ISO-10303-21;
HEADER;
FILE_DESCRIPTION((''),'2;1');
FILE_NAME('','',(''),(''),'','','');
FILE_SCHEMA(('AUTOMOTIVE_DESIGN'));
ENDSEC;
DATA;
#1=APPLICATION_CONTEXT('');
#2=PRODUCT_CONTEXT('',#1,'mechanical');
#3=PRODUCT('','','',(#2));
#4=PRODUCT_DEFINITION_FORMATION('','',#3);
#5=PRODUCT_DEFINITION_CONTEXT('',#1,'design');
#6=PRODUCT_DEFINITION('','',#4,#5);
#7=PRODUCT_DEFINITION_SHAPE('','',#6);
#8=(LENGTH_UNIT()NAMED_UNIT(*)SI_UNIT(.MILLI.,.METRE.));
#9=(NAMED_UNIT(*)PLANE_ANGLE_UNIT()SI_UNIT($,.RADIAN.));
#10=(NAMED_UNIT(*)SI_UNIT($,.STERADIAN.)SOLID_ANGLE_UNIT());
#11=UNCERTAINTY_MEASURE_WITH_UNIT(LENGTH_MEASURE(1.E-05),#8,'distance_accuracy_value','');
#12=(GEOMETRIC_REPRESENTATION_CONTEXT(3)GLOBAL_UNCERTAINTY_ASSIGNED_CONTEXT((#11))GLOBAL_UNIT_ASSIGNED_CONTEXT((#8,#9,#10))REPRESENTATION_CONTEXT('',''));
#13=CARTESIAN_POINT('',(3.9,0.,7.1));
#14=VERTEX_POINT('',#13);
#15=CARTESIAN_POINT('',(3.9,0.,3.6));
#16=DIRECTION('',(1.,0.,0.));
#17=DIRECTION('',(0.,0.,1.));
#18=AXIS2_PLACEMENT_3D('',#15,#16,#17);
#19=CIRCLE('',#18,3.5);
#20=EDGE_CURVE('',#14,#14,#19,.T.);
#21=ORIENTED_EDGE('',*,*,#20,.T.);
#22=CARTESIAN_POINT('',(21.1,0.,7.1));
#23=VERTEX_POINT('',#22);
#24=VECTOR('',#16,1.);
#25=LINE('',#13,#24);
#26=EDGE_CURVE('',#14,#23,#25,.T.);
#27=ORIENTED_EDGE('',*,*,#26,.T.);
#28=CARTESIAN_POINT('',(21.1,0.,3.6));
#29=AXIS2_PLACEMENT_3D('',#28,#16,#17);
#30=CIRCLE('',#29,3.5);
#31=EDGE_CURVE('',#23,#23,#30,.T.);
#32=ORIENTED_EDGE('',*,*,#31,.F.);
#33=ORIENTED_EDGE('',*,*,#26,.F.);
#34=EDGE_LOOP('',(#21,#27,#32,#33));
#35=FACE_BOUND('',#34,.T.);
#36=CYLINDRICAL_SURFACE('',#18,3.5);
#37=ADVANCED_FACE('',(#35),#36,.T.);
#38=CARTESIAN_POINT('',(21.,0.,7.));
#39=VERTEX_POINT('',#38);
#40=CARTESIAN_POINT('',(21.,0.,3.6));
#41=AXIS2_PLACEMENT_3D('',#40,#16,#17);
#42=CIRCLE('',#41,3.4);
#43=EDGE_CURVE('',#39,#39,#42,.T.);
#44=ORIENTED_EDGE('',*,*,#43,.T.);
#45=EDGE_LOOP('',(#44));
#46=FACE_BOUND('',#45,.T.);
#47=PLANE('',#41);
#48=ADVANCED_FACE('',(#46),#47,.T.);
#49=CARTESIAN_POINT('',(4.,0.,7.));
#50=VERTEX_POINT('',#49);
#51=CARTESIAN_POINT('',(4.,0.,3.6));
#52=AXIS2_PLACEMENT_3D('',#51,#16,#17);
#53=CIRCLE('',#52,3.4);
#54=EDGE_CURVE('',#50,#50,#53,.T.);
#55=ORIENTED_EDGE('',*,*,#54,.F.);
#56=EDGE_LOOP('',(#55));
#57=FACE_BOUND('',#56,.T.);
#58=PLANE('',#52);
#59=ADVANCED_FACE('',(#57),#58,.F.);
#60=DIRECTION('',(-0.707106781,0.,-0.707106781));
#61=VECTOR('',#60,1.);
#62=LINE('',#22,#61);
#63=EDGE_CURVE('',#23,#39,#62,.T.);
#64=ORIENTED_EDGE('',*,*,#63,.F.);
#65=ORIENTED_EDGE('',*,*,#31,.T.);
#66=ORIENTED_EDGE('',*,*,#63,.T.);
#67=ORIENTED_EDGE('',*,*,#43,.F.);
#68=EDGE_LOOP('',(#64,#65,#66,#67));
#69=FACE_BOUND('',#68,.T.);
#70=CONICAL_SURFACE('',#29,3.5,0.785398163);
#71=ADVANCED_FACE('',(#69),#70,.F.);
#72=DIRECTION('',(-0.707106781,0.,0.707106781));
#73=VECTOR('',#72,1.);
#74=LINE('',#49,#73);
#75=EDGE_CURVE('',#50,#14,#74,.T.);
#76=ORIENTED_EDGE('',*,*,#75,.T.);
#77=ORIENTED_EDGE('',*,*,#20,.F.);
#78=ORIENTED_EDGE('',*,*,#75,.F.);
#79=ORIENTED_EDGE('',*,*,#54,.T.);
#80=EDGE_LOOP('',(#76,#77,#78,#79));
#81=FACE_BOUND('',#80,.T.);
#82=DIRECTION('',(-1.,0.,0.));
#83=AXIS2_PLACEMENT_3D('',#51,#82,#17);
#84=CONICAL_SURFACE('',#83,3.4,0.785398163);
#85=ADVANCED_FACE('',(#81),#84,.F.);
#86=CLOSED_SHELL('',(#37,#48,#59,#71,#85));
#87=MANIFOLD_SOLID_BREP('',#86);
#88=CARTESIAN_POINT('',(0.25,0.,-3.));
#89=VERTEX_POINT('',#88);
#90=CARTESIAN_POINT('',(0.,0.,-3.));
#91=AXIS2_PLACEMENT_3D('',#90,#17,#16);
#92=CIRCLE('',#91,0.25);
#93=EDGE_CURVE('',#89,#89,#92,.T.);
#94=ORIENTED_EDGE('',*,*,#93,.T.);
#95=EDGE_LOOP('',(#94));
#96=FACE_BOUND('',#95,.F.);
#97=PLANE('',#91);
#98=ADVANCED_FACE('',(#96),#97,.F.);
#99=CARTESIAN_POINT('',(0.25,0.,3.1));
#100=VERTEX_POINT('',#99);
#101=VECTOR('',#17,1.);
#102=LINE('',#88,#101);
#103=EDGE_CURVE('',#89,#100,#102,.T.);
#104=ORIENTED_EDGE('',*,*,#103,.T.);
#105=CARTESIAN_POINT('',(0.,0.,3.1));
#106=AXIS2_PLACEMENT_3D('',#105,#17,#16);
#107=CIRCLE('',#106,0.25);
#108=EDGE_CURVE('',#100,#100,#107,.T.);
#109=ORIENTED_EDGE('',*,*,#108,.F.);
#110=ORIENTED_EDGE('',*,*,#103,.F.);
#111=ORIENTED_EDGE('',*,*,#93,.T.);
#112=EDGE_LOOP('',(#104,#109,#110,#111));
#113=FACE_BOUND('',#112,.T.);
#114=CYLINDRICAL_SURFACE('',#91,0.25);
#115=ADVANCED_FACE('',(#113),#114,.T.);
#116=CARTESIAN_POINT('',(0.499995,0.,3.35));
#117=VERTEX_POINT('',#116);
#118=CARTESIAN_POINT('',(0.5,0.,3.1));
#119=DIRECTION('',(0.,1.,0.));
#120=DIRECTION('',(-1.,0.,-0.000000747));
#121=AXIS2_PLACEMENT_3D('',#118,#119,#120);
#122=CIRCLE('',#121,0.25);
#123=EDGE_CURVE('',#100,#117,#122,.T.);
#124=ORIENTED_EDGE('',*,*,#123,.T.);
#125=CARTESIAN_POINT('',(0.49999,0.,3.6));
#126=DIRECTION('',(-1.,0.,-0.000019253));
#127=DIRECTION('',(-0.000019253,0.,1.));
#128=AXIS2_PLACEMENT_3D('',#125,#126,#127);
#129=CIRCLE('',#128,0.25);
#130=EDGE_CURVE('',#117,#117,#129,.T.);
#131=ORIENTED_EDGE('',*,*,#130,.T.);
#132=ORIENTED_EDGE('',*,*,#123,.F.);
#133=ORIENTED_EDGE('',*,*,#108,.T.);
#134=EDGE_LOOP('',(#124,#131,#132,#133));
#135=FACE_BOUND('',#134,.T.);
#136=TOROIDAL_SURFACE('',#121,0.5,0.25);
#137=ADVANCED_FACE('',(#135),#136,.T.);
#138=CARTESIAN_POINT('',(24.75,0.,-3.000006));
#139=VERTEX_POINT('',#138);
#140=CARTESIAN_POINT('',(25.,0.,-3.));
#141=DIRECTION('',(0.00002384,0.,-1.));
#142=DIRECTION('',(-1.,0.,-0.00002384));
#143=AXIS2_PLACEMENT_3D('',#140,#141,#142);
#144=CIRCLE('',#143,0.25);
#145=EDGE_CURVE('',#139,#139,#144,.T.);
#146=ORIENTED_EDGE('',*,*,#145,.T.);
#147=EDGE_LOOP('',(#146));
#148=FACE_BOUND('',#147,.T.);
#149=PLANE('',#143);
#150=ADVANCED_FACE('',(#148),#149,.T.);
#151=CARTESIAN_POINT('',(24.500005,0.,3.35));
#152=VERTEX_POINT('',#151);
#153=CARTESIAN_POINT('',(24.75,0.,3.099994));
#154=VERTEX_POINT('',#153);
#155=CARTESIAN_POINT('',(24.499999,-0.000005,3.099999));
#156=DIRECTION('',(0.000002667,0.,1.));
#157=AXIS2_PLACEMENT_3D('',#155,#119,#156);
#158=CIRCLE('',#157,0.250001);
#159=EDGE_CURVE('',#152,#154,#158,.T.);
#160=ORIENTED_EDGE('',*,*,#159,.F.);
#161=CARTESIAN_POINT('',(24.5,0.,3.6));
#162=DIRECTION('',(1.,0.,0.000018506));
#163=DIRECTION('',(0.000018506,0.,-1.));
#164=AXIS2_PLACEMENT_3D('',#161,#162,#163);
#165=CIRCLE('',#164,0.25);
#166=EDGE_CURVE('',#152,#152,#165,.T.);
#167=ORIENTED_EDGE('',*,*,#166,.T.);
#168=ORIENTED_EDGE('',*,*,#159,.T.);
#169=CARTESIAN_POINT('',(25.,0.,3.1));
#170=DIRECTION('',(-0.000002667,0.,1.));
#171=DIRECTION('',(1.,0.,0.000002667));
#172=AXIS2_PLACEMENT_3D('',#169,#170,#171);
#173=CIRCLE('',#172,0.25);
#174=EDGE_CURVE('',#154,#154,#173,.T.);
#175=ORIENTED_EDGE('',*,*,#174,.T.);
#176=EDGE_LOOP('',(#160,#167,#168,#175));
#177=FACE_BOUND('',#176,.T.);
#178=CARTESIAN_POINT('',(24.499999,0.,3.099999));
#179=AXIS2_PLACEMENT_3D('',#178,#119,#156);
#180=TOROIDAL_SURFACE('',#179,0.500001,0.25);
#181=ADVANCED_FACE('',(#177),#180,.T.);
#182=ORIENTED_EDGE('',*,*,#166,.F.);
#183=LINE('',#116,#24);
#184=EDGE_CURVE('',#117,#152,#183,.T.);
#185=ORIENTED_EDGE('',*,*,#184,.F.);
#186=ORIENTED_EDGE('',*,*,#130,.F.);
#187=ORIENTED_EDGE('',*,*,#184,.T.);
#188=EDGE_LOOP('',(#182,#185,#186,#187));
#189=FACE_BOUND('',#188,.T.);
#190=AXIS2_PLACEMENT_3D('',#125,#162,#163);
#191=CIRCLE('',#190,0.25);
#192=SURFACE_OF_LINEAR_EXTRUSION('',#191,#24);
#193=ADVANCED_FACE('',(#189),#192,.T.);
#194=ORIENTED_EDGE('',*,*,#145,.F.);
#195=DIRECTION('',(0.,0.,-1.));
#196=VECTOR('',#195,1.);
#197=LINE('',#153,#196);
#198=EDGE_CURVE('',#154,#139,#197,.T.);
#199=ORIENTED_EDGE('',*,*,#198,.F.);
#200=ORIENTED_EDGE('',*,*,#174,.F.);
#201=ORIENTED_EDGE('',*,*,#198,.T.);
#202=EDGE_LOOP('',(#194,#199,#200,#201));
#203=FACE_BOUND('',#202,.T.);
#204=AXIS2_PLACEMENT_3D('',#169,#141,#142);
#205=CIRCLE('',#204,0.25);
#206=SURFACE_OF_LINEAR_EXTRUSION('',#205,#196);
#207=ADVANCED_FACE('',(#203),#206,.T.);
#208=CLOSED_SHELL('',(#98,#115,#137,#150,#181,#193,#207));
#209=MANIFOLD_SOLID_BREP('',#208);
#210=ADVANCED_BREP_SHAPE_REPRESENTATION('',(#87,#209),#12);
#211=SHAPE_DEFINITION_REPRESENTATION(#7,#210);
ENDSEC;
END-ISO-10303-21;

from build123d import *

# Parameters (mm, degrees)
SKETCH_R = 0.25


with BuildPart() as sweep_body:
    # Sweep: sweep along a path in Sketch001
    with BuildLine(Plane.XZ) as sweep_path:
        Line((0, -3), (0, 3.1))
        ThreePointArc((0, 3.1), (0.146443, 3.45355), (0.49999, 3.6))
        Line((0.49999, 3.6), (24.5, 3.6))
        ThreePointArc((24.5, 3.6), (24.853553, 3.453553), (25, 3.1))
        Line((25, 3.1), (25, -3))
    # Sketch → Sweep (sweep)
    with BuildSketch(Plane.XY.offset(-2)):
        Circle(SKETCH_R)
    sweep(path=sweep_path.line)


with BuildPart() as revolution:
    # Sketch002 → Revolution (revolve)
    with BuildSketch(Plane.XZ):
        Polygon((3.9, 7.1), (21.1, 7.1), (21, 7), (21, 3.6), (4, 3.6), (4, 7), align=None)
    revolve(axis=Axis((7.611803, 0, 3.6), (1, 0, 0)))


solid = Compound([sweep_body.part, revolution.part])
